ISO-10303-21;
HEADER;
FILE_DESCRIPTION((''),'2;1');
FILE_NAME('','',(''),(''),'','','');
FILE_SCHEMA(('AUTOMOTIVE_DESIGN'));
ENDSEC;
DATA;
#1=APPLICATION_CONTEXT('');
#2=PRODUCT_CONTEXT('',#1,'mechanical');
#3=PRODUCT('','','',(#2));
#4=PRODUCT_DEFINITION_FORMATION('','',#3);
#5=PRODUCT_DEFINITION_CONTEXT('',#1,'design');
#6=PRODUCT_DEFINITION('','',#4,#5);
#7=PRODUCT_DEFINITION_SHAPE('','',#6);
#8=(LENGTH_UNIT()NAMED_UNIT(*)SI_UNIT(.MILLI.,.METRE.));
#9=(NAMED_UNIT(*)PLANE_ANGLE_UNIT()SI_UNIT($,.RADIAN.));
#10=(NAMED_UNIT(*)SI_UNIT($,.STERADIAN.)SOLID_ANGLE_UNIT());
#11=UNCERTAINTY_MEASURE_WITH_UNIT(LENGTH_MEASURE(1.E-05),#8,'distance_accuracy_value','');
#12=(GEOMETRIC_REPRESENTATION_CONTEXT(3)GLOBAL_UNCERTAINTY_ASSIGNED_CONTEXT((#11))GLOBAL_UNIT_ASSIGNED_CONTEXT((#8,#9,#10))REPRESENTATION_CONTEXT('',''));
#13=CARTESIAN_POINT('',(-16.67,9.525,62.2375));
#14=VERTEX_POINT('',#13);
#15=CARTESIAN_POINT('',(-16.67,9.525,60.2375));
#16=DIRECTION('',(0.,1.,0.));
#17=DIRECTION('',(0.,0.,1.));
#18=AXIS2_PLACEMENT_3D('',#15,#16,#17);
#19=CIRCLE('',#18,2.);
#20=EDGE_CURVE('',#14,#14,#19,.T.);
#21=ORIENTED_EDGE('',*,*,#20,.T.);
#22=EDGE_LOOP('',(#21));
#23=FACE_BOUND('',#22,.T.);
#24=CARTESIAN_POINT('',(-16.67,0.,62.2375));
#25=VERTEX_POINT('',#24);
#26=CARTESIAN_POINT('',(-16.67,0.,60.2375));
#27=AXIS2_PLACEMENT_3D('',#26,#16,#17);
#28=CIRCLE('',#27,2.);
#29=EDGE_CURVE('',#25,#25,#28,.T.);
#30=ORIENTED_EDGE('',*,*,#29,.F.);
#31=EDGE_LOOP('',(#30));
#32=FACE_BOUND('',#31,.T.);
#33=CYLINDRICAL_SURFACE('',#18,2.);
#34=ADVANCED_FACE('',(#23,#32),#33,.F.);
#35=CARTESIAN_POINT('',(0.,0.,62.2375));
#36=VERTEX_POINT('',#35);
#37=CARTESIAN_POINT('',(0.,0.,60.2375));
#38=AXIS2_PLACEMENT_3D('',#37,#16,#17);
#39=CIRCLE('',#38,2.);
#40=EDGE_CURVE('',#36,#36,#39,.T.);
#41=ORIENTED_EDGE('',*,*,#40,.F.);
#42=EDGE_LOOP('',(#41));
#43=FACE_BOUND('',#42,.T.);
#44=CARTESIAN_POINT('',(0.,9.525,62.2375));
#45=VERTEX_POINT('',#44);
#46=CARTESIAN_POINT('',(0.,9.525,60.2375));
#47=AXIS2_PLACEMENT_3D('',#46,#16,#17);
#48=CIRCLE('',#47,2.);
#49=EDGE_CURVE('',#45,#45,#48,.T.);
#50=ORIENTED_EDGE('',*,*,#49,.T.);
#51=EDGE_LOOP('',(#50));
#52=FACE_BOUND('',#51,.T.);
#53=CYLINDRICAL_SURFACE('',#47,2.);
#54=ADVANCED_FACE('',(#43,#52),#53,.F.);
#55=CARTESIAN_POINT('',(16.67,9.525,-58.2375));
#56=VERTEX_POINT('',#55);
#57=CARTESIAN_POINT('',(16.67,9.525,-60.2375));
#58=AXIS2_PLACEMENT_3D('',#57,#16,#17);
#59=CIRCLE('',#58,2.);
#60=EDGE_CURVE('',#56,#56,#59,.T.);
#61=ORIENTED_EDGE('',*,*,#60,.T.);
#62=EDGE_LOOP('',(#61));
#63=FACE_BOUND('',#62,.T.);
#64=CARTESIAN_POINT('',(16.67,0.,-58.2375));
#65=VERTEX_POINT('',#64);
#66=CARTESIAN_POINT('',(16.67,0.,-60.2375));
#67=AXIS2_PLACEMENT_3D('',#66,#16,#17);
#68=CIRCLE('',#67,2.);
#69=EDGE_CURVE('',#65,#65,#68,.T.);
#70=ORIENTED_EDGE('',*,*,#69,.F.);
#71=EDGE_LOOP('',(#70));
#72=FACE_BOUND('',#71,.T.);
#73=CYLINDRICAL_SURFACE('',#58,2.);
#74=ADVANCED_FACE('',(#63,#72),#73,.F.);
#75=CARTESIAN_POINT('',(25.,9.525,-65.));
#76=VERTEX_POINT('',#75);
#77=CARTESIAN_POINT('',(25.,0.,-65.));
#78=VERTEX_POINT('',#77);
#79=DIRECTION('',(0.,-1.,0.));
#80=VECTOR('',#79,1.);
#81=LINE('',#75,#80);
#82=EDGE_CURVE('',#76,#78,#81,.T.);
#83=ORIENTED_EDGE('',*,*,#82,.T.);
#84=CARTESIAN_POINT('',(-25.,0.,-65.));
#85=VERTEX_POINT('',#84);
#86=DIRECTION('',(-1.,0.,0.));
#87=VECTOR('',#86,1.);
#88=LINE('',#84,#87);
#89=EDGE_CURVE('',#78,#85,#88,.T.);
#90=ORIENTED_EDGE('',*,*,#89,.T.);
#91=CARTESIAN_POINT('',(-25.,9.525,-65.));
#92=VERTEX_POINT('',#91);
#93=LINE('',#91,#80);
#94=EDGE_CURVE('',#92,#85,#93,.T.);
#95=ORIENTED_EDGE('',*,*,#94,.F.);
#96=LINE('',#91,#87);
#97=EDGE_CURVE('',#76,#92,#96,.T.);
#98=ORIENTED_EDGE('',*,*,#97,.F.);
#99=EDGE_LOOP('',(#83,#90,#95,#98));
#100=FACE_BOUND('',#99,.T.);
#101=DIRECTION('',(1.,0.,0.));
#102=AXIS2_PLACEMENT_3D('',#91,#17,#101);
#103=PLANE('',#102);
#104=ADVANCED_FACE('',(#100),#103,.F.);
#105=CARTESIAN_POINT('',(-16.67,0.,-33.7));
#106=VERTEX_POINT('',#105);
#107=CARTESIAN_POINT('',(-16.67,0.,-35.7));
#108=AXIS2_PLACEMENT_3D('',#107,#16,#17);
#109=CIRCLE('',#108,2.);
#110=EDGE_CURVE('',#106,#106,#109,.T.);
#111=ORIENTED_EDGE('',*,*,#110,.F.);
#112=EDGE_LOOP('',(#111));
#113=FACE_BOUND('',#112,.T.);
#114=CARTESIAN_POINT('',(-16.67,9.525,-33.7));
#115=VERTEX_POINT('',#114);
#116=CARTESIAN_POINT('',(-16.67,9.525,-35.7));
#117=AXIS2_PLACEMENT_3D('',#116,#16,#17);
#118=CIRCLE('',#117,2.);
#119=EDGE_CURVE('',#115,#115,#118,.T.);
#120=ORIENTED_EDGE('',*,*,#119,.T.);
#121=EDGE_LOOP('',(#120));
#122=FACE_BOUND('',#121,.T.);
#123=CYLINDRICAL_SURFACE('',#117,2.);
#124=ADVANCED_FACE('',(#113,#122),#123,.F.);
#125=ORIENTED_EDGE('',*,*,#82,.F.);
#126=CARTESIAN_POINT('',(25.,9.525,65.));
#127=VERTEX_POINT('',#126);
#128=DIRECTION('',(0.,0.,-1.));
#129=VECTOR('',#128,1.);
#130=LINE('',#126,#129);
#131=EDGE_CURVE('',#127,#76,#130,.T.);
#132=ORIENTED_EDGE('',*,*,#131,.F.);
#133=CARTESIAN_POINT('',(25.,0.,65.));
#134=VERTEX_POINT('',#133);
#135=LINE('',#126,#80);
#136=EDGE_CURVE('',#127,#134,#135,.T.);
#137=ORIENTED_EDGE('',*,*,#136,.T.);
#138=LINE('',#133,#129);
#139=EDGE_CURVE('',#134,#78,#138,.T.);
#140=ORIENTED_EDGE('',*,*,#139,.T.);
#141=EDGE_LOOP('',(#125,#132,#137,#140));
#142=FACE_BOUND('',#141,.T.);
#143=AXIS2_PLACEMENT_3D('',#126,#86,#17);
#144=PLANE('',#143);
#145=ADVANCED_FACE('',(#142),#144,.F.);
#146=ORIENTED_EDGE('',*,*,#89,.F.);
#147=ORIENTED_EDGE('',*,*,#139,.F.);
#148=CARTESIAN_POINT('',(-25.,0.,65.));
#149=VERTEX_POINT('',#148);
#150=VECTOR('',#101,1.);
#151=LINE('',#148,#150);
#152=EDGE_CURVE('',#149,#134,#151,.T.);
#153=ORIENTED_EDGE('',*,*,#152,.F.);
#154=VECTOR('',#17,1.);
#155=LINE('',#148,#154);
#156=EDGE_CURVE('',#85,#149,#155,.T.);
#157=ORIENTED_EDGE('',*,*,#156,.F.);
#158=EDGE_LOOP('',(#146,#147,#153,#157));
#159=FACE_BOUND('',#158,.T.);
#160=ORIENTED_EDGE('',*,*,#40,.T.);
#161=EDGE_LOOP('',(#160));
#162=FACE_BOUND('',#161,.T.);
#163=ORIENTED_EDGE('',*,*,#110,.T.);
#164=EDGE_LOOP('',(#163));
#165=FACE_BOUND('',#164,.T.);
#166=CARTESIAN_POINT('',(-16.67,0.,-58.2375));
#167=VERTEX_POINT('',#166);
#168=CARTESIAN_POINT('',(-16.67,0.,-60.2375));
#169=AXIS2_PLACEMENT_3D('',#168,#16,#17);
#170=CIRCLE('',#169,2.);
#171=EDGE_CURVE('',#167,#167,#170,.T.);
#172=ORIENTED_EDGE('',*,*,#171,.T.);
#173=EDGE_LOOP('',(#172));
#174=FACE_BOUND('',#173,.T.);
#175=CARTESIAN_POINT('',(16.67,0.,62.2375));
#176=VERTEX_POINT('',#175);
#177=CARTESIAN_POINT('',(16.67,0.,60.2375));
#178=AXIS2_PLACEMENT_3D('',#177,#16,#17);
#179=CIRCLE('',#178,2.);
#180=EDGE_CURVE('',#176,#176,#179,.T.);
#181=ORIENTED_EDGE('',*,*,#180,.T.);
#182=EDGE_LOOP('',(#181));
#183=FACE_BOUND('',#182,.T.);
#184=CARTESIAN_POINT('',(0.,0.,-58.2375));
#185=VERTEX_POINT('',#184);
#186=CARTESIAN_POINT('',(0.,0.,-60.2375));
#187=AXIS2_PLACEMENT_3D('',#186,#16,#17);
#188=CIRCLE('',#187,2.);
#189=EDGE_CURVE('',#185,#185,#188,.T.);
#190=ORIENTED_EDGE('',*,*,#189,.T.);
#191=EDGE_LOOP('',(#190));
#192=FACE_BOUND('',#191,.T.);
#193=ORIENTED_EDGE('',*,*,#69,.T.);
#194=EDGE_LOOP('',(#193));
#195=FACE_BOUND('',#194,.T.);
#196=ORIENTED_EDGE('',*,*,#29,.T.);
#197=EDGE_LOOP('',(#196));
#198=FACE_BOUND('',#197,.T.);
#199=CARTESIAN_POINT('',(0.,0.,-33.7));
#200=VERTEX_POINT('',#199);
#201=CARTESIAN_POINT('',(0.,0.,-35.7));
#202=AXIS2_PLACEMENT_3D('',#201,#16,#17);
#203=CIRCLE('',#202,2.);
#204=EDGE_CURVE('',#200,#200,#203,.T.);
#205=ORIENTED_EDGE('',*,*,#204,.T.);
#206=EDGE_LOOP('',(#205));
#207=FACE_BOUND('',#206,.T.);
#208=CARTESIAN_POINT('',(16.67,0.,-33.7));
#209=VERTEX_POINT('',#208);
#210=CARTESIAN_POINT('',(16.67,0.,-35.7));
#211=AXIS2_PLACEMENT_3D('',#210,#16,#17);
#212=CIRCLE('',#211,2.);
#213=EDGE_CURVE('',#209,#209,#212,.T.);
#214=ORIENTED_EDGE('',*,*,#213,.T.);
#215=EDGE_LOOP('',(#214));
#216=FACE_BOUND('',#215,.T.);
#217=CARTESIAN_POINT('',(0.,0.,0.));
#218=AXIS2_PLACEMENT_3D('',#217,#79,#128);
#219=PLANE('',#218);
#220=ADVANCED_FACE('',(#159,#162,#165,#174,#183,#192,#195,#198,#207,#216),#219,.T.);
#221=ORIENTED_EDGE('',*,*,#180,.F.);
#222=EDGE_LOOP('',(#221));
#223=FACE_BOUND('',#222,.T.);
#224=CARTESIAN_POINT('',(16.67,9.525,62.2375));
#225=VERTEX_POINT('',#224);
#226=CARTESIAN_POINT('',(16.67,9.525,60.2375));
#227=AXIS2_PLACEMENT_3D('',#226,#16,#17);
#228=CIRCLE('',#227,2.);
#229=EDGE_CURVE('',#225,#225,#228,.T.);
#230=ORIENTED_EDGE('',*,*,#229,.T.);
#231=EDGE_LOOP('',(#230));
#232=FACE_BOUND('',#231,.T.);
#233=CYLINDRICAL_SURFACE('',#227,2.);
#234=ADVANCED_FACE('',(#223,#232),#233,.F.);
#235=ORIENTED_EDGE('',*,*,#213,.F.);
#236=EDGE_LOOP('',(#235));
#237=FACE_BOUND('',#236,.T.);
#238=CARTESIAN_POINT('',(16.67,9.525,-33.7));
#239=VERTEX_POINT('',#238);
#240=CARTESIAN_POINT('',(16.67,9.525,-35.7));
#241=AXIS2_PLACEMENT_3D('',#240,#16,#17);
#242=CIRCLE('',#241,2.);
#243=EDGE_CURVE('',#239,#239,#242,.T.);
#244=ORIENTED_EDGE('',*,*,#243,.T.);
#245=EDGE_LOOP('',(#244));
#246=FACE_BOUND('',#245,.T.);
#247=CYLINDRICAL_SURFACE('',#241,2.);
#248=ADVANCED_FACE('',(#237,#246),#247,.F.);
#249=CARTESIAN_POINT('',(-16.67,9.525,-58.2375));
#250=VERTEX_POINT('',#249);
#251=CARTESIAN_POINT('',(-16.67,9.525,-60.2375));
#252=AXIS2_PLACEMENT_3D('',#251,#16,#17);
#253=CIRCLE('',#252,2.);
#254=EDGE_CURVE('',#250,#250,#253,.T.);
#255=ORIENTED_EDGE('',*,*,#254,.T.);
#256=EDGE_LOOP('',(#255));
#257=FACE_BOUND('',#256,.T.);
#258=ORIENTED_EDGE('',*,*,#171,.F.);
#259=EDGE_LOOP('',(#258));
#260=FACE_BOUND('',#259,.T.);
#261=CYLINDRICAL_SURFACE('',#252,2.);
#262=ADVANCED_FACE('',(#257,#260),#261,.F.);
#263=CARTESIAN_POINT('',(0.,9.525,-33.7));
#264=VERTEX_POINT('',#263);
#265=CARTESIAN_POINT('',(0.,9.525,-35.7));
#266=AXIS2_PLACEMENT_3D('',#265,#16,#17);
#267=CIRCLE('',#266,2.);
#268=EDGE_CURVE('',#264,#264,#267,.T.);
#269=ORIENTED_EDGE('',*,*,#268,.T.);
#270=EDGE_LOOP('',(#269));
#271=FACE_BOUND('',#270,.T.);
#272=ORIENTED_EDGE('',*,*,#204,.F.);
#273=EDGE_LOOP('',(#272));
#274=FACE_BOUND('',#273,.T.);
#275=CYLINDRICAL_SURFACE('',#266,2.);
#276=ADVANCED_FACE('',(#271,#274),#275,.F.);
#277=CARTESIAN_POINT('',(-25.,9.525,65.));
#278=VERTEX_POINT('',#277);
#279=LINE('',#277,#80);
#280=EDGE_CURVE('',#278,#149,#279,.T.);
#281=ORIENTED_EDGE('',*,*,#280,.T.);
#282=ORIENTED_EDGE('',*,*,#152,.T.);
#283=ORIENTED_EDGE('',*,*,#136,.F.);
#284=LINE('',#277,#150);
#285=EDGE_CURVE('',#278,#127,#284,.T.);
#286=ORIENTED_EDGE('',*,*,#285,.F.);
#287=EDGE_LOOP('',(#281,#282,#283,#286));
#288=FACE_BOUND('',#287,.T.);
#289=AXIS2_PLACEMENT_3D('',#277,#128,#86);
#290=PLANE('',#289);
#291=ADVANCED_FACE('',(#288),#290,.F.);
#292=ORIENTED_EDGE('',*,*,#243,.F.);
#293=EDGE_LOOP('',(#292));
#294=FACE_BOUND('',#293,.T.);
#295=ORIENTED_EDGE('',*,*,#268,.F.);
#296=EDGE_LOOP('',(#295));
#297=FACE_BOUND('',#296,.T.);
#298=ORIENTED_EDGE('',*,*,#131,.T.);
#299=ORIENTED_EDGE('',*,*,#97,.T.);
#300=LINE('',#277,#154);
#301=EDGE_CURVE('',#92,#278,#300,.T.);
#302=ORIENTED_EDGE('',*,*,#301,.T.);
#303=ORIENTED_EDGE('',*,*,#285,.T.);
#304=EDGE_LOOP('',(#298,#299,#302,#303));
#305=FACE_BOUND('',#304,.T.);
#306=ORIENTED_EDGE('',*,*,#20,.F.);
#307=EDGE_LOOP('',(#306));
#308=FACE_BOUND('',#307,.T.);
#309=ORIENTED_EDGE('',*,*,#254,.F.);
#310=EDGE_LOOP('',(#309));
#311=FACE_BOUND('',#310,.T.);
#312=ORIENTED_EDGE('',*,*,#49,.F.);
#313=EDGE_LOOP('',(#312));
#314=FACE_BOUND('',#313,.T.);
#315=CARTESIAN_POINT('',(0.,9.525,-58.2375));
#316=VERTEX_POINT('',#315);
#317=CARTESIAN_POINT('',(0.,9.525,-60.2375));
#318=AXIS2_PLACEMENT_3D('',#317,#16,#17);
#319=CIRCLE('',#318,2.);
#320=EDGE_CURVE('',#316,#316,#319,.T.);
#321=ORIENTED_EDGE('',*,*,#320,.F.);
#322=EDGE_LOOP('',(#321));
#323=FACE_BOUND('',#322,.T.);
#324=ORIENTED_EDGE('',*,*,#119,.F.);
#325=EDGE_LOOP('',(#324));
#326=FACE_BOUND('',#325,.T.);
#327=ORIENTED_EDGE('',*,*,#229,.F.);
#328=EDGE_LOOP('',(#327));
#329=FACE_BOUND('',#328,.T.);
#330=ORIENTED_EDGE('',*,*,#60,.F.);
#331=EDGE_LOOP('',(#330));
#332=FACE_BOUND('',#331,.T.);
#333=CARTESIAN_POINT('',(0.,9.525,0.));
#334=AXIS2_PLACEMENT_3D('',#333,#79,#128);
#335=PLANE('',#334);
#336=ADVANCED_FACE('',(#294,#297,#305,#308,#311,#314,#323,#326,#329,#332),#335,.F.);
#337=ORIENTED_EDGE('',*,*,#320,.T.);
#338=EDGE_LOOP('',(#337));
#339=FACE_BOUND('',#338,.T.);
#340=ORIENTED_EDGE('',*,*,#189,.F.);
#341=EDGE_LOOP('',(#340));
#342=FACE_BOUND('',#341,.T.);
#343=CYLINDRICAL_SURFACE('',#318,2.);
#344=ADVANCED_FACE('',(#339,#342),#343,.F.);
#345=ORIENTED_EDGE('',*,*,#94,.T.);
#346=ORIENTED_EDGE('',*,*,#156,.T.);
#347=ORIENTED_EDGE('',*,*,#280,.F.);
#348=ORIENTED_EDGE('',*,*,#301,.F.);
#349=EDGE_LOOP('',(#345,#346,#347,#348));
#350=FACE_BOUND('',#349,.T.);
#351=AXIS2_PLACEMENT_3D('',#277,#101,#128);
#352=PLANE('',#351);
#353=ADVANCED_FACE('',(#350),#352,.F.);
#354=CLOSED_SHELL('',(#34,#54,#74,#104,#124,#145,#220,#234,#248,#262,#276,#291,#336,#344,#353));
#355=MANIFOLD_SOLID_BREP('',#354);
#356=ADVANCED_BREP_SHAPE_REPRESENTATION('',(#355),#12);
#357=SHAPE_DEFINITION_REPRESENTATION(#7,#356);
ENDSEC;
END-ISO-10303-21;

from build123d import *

# Parameters (mm, degrees)
SKETCH2_W             = 50
SKETCH2_H             = 130
BOSS_EXTRUDE1_DEPTH   = 9.525
F_4_0MM_DOWEL_HOLE1_D = 4


with BuildPart() as part:
    # Sketch2 → Boss-Extrude1 (new body)
    with BuildSketch(Plane(origin=(0, 0, 0), x_dir=(1, 0, 0), z_dir=(0, 1, 0))):
        Rectangle(SKETCH2_W, SKETCH2_H)
    extrude(amount=BOSS_EXTRUDE1_DEPTH)

    # Ø4.0mm Dowel Hole1 (through all)
    with Locations(Plane(origin=(0, 9.525, 0), x_dir=(1, 0, 0), z_dir=(0, 1, 0))):
        with Locations((16.67, 60.2375), (-16.67, -60.2375), (0, -60.2375), (16.67, -60.2375), (-16.67, 35.7), (0, 35.7), (16.67, 35.7), (-16.67, 60.2375), (0, 60.2375)):
            Hole(F_4_0MM_DOWEL_HOLE1_D / 2)


solid = part.part
